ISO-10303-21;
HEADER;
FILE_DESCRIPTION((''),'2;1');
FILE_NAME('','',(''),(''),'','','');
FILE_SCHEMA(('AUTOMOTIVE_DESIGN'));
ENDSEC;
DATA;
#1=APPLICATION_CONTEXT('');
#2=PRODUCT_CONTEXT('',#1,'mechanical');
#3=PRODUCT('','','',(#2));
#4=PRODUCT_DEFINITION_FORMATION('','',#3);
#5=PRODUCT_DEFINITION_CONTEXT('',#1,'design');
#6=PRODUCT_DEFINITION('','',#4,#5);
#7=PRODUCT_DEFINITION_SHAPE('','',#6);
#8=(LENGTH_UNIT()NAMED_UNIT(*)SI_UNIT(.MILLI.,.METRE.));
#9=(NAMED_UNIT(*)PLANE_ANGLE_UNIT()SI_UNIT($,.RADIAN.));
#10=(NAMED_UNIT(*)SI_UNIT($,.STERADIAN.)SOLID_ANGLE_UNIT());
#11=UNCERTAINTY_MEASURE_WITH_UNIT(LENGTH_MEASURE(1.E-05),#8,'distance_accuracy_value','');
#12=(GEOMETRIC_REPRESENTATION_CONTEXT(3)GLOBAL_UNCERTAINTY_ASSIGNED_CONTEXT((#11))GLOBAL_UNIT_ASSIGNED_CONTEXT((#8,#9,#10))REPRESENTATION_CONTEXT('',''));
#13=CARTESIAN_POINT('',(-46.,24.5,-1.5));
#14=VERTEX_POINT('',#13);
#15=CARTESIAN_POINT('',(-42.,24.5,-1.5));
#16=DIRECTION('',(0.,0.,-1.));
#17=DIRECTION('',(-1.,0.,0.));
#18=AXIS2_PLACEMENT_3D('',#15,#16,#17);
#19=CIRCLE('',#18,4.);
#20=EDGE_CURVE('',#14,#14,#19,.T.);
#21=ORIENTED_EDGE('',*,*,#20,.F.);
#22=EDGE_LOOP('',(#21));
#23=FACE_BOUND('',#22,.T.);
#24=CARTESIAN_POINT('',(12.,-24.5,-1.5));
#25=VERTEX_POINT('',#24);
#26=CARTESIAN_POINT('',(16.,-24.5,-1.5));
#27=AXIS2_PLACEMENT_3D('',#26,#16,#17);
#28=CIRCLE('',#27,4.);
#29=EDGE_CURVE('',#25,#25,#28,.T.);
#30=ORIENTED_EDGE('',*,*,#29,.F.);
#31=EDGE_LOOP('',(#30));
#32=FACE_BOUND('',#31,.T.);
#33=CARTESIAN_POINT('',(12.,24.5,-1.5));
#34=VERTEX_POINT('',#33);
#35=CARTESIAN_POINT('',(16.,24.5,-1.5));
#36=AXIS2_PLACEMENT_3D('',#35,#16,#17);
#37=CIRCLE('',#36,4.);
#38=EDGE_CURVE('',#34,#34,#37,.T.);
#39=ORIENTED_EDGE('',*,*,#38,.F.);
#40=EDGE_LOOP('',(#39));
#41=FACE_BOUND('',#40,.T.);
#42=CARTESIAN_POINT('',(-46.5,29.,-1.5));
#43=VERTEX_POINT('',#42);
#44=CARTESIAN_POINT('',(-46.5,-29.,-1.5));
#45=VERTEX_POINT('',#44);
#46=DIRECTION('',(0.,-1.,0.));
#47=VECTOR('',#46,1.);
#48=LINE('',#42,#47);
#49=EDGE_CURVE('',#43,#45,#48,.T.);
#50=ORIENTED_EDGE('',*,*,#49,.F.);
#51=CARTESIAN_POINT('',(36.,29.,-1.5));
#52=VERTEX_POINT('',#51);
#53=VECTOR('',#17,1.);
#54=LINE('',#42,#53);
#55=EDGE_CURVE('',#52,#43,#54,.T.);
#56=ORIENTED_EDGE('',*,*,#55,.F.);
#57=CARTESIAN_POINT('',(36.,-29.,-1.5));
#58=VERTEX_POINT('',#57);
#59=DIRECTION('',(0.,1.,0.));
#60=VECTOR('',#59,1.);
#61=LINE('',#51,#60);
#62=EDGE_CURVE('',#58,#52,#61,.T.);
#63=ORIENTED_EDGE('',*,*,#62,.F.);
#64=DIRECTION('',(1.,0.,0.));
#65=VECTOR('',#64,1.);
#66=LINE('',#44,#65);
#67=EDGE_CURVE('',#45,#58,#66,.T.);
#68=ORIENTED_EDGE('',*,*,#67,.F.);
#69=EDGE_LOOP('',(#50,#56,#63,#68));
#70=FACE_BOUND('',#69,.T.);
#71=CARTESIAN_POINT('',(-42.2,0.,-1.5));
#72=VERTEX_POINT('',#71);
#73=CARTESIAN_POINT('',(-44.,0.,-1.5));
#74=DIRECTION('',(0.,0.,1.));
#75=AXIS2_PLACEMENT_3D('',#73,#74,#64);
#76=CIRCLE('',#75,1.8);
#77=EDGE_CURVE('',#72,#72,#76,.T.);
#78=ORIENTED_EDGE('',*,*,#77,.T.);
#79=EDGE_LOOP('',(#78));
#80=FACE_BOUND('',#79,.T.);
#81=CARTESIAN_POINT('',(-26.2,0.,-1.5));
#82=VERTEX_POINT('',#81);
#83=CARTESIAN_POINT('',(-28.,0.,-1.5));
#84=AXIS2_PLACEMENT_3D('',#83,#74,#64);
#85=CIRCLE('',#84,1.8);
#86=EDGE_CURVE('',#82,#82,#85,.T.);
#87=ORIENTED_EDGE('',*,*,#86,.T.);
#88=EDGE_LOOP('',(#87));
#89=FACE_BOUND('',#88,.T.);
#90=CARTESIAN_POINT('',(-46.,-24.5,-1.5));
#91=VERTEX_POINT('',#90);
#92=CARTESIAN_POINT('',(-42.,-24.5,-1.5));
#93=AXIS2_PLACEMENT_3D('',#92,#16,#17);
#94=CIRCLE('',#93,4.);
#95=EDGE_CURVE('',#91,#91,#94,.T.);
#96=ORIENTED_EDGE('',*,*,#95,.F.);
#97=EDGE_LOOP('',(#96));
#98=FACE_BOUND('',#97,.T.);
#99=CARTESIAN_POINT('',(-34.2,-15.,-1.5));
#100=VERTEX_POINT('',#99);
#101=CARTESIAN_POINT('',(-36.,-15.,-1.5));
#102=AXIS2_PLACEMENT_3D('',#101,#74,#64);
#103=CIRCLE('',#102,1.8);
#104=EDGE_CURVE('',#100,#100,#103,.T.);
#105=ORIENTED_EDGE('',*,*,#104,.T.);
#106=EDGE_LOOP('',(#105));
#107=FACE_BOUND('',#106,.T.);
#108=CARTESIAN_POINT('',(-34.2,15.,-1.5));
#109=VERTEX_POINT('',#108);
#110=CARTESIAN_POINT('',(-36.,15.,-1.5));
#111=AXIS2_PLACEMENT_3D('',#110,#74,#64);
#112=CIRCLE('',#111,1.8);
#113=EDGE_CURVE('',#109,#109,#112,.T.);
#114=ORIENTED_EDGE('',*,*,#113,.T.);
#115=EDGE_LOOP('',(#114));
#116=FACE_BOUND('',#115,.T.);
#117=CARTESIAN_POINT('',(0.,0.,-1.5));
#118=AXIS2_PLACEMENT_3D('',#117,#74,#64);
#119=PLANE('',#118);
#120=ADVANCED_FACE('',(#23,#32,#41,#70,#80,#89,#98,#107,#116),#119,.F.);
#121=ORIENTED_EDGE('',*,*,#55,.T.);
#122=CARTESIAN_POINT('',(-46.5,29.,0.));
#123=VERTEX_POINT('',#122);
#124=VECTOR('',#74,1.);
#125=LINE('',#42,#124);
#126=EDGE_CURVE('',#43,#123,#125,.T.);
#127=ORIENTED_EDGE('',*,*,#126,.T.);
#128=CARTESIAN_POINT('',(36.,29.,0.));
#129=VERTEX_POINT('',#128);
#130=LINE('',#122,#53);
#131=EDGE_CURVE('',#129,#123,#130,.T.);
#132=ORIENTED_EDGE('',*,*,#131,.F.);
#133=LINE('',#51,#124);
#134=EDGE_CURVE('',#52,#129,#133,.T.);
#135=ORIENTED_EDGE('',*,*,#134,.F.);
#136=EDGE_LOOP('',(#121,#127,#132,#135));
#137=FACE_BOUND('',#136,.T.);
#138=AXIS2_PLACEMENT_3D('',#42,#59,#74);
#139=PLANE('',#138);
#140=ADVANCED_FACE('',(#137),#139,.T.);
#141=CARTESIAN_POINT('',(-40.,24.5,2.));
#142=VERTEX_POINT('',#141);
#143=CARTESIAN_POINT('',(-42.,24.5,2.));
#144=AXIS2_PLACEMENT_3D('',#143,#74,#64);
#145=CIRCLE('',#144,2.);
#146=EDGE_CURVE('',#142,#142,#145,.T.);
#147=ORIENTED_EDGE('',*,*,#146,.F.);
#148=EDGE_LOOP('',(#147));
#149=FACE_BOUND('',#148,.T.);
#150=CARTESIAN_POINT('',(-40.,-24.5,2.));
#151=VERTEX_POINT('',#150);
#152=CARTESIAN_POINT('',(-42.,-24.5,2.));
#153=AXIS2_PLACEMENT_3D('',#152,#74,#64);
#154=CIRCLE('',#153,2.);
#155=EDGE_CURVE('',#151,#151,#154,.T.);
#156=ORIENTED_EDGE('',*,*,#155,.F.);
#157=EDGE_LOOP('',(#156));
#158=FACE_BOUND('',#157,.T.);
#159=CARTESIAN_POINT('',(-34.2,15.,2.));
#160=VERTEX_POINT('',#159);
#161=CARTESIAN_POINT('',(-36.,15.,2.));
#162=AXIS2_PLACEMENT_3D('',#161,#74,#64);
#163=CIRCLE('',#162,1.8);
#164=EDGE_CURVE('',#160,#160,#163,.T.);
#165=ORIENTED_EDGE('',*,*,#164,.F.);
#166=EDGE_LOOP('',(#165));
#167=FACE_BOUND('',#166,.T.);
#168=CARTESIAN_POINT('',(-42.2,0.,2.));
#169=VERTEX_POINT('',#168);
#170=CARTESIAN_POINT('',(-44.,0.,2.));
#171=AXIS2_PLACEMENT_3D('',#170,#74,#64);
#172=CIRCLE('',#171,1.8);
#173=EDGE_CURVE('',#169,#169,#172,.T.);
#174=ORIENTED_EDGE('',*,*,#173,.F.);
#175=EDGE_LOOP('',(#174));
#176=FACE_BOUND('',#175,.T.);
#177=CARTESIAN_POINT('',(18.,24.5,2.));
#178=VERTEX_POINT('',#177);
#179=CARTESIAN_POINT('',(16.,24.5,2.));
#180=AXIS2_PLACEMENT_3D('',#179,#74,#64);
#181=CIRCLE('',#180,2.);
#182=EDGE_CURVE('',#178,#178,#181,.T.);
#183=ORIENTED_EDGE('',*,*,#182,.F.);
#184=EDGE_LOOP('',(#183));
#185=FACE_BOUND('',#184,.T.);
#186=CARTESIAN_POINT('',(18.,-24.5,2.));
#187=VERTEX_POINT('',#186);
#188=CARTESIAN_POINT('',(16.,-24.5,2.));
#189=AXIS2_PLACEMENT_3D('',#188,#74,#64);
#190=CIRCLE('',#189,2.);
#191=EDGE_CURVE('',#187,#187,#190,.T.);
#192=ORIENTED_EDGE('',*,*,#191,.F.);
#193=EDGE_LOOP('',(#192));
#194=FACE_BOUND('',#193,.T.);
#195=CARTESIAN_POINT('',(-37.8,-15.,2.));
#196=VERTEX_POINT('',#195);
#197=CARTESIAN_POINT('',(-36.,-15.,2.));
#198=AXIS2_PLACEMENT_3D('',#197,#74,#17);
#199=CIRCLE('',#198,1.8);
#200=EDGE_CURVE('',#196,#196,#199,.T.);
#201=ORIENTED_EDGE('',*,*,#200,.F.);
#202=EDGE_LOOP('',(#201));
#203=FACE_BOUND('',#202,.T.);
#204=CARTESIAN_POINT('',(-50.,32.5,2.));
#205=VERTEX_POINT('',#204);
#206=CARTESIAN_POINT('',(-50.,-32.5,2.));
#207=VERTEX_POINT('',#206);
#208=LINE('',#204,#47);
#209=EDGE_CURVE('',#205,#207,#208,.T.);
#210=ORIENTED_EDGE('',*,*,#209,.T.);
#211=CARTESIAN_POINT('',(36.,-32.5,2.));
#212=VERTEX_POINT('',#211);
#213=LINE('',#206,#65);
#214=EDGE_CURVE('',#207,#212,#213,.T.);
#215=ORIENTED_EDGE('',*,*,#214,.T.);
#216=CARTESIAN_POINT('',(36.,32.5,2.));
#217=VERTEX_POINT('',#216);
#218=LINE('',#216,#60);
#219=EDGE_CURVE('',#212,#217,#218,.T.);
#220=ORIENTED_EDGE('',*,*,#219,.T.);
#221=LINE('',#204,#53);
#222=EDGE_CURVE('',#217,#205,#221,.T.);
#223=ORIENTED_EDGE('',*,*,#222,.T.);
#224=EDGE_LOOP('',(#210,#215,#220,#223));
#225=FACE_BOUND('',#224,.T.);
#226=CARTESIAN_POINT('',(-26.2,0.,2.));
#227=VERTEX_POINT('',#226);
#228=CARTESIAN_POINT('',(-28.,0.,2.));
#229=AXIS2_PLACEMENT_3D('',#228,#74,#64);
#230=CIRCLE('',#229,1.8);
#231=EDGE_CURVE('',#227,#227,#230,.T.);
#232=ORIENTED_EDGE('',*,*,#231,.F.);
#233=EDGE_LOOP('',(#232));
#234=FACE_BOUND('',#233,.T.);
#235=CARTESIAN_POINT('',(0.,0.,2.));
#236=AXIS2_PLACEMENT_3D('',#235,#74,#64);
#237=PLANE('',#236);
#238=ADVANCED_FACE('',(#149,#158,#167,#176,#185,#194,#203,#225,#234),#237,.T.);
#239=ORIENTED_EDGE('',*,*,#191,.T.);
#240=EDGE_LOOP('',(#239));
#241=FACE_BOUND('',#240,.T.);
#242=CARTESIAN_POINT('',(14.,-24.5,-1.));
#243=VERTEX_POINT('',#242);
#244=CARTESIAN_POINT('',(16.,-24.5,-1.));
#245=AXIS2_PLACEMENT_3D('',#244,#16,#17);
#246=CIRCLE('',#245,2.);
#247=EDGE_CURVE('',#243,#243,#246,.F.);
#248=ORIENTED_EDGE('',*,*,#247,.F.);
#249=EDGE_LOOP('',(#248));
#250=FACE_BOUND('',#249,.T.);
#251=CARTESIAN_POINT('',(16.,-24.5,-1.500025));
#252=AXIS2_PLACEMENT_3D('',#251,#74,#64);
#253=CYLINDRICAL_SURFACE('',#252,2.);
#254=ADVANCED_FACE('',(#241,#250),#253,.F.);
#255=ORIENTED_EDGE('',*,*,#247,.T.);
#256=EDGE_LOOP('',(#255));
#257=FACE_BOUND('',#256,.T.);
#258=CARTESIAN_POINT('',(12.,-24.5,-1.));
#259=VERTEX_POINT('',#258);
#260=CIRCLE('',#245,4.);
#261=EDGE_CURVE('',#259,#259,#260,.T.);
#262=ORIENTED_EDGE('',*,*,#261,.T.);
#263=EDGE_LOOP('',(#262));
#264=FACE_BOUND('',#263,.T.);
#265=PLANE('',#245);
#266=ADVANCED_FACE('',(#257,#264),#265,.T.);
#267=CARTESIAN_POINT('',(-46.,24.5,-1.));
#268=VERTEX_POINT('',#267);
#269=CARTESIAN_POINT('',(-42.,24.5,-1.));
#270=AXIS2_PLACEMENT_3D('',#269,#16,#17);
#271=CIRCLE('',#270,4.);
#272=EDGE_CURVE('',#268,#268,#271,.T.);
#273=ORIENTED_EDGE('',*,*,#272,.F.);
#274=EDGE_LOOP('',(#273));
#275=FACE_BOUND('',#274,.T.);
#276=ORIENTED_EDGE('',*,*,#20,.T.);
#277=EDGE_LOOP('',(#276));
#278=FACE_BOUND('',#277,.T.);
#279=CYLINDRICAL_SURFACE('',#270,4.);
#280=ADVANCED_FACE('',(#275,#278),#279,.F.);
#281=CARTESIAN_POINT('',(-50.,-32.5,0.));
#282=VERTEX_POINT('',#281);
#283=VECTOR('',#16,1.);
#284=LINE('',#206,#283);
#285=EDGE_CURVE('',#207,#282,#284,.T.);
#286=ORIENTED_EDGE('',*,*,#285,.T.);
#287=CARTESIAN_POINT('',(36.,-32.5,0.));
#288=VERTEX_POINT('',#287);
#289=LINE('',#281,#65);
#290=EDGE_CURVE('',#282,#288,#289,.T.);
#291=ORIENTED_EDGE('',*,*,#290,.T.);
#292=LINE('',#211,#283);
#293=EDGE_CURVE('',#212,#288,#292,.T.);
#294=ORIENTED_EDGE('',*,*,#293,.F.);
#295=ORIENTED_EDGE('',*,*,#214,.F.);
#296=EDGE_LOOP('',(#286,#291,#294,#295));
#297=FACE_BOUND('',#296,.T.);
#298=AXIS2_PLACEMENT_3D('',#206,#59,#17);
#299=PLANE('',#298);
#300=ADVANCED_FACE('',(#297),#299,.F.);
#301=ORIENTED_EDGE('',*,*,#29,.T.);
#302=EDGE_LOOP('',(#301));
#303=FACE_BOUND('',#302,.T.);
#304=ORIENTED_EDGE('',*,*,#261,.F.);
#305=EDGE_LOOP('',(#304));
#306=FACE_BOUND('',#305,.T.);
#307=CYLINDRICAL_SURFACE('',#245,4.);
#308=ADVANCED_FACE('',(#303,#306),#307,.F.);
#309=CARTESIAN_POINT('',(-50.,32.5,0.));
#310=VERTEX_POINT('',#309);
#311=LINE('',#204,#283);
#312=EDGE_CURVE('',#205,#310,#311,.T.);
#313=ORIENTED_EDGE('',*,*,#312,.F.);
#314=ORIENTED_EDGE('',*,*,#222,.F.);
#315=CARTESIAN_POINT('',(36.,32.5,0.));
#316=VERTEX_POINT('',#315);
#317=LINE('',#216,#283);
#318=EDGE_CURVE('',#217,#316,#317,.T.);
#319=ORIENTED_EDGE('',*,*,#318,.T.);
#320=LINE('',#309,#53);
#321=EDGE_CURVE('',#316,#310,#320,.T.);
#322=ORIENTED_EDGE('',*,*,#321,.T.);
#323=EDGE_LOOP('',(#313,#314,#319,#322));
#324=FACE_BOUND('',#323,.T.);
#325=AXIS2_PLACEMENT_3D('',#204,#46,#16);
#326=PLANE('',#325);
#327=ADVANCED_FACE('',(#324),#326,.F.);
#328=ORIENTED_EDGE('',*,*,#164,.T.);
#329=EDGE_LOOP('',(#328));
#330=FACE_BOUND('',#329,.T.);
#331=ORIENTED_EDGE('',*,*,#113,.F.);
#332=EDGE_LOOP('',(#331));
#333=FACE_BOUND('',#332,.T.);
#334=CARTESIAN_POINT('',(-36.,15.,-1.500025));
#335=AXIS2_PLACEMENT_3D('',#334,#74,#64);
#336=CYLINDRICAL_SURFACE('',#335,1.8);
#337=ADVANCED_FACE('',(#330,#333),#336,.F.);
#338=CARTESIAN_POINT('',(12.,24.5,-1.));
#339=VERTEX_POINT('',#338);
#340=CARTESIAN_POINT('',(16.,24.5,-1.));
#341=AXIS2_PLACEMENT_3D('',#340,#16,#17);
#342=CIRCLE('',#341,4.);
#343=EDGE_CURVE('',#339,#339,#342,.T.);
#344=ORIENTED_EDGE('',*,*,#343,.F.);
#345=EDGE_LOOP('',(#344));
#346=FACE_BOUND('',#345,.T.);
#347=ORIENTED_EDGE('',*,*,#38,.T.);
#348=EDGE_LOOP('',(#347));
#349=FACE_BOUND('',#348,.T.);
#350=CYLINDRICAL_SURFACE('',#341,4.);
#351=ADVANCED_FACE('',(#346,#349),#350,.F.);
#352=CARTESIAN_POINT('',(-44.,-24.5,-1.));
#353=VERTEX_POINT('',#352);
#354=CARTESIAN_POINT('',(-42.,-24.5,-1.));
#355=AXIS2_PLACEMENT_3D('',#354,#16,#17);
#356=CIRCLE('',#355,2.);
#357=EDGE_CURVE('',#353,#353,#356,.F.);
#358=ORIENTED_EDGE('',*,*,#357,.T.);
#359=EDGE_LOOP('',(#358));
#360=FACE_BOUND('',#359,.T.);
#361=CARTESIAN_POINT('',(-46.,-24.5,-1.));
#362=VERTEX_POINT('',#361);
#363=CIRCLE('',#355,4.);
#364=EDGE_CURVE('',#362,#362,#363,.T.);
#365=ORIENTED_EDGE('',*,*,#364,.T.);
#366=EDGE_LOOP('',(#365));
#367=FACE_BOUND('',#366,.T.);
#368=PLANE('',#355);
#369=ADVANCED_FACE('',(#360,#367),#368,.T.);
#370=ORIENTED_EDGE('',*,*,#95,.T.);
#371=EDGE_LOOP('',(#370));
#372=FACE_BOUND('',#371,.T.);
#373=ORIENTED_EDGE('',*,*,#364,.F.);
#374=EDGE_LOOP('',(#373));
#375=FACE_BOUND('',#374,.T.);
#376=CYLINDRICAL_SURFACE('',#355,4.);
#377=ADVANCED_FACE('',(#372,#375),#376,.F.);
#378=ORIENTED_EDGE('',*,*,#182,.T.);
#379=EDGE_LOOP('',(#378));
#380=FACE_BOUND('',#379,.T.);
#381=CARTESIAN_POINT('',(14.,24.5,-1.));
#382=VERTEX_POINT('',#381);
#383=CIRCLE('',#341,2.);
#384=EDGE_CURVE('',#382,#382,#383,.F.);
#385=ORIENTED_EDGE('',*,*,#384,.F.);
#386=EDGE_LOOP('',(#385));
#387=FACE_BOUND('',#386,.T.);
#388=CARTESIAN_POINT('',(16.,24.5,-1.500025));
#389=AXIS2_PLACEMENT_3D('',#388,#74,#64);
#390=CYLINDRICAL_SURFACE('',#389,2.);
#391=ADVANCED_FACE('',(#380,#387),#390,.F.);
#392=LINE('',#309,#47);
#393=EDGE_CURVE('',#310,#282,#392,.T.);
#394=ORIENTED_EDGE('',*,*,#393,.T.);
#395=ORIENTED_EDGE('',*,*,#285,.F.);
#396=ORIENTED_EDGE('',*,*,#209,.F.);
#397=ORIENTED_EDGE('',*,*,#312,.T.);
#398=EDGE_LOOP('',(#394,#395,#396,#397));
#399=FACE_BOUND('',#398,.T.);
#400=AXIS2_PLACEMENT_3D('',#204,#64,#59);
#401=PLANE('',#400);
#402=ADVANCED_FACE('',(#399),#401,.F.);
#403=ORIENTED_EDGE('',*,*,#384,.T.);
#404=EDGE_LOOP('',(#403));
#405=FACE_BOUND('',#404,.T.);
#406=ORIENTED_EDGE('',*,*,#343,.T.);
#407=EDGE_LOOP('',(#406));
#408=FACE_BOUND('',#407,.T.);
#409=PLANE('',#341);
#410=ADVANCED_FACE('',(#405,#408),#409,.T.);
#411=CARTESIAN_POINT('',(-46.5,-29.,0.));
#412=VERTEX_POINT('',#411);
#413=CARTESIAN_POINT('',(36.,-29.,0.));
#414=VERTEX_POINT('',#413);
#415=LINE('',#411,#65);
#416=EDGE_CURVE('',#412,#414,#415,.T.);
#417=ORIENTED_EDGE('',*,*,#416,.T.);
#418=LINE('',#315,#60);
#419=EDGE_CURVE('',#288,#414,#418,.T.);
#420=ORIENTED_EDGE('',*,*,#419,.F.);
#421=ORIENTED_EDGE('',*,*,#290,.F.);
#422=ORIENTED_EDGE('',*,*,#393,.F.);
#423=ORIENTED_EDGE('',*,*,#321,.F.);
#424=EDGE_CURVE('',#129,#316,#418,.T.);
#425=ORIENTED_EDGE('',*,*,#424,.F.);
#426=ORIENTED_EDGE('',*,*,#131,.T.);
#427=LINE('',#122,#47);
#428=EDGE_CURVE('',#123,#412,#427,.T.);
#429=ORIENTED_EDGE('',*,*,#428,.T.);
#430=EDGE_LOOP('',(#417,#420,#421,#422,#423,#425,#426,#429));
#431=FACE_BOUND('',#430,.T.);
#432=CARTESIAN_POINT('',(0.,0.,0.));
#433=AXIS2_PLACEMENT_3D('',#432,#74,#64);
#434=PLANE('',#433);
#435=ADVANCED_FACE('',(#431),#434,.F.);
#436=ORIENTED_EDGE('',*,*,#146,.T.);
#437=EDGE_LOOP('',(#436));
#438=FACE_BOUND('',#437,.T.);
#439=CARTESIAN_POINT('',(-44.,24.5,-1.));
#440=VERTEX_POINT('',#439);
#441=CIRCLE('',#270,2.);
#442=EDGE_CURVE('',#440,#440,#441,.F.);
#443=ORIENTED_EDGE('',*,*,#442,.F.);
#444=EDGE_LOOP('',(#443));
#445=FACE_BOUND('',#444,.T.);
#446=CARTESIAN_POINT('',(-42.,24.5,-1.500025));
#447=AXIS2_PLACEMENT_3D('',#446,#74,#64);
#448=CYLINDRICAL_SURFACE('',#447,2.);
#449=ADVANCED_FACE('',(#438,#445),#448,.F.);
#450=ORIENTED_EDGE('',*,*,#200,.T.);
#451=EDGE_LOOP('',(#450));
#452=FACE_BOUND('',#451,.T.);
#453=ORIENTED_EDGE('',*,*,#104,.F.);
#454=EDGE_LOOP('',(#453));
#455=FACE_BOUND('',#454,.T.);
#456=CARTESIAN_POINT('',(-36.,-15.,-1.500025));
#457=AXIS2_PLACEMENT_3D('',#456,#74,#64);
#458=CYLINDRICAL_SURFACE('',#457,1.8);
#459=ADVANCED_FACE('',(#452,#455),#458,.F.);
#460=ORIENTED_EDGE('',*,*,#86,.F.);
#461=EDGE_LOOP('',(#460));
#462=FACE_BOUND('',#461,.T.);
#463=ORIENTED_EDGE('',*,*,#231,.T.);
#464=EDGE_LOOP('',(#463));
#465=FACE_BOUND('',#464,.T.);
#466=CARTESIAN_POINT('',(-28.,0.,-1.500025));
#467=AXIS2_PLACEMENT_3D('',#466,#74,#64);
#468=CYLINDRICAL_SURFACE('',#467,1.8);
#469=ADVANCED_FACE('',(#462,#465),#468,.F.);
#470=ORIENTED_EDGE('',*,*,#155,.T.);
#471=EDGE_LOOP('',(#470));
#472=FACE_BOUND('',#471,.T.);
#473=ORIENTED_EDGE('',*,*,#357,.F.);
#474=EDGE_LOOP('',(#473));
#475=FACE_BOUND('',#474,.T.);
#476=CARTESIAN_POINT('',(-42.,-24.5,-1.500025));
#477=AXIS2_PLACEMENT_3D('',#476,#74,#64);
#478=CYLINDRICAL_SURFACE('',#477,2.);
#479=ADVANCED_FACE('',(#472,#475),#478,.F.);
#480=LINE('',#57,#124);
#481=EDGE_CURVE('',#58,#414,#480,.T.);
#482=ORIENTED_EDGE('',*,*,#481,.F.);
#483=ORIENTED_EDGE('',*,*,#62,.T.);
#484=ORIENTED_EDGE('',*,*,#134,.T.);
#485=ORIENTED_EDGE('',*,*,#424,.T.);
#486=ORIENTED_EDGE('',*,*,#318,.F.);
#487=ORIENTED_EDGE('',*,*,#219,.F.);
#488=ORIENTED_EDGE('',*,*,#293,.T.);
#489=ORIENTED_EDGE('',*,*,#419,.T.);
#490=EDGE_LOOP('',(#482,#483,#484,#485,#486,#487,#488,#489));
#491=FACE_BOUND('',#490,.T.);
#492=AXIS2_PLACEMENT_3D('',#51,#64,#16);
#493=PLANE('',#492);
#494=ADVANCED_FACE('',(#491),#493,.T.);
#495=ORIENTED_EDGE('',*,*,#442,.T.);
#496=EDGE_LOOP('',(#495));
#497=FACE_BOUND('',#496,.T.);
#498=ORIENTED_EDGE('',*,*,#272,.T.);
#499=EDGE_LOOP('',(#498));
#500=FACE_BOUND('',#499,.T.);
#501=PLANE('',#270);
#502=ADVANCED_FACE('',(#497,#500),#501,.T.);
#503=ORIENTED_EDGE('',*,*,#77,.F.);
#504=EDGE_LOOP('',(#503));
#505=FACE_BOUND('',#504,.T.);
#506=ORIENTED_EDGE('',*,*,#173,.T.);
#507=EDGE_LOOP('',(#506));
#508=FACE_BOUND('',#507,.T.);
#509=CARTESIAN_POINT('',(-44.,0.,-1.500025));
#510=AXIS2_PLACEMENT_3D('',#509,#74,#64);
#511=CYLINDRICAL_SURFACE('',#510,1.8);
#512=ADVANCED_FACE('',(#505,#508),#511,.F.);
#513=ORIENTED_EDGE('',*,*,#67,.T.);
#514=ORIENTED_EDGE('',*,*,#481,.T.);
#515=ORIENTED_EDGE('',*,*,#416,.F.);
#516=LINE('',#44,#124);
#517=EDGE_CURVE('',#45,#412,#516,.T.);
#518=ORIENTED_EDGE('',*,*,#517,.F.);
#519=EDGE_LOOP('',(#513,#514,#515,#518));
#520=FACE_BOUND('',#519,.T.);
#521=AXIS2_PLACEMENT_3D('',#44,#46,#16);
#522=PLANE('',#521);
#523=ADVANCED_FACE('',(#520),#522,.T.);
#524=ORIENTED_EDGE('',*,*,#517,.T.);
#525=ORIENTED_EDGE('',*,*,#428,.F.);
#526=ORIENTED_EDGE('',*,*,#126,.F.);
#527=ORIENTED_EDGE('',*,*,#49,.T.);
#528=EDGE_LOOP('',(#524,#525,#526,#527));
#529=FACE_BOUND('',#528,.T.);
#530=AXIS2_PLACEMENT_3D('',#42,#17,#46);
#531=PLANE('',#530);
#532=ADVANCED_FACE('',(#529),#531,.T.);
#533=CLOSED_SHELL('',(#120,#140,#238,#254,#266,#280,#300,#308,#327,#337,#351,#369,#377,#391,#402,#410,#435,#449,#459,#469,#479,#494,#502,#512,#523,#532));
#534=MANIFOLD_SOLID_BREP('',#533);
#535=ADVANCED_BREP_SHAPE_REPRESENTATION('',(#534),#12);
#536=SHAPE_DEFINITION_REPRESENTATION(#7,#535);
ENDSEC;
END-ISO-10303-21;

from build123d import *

# Parameters (mm, degrees)
SKETCH1_W           = 82.5
SKETCH1_H           = 58
BOSS_EXTRUDE1_DEPTH = 1.5
SKETCH2_W           = 86
SKETCH2_H           = 65
BOSS_EXTRUDE2_DEPTH = 2
SKETCH3_R           = 2
CUT_EXTRUDE1_DEPTH  = 60.736923255
SKETCH4_R           = 1.8
CUT_EXTRUDE2_DEPTH  = 60.736923255
SKETCH5_R           = 4
CUT_EXTRUDE3_DEPTH  = 0.5


with BuildPart() as part:
    # Sketch1 → Boss-Extrude1 (new body)
    with BuildSketch(Plane.XY):
        with Locations((-5.25, 0)):
            Rectangle(SKETCH1_W, SKETCH1_H)
    extrude(amount=-BOSS_EXTRUDE1_DEPTH)

    # Sketch2 → Boss-Extrude2 (add)
    with BuildSketch(Plane.XY):
        with Locations((-7, 0)):
            Rectangle(SKETCH2_W, SKETCH2_H)
    extrude(amount=BOSS_EXTRUDE2_DEPTH)

    # Sketch3 → Cut-Extrude1 (cut, through all)
    with BuildSketch(Plane.XY.offset(2)):
        with Locations((-42, 24.5)):
            Circle(SKETCH3_R)
        with Locations((16, 24.5)):
            Circle(SKETCH3_R)
        with Locations((16, -24.5)):
            Circle(SKETCH3_R)
        with Locations((-42, -24.5)):
            Circle(SKETCH3_R)
    extrude(amount=-CUT_EXTRUDE1_DEPTH, mode=Mode.SUBTRACT)

    # Sketch4 → Cut-Extrude2 (cut, through all)
    with BuildSketch(Plane.XY.offset(2)):
        with Locations((-44, 0)):
            Circle(SKETCH4_R)
        with Locations((-28, 0)):
            Circle(SKETCH4_R)
        with Locations((-36, 15)):
            Circle(SKETCH4_R)
        with Locations((-36, -15)):
            Circle(SKETCH4_R)
    extrude(amount=-CUT_EXTRUDE2_DEPTH, mode=Mode.SUBTRACT)

    # Sketch5 → Cut-Extrude3 (cut)
    with BuildSketch(Plane(origin=(0, 0, -1.5), x_dir=(-1, 0, 0), z_dir=(0, 0, -1))):
        with Locations((-16, 24.5)):
            Circle(SKETCH5_R)
        with Locations((-16, -24.5)):
            Circle(SKETCH5_R)
        with Locations((42, -24.5)):
            Circle(SKETCH5_R)
        with Locations((42, 24.5)):
            Circle(SKETCH5_R)
    extrude(amount=-CUT_EXTRUDE3_DEPTH, mode=Mode.SUBTRACT)


solid = part.part
